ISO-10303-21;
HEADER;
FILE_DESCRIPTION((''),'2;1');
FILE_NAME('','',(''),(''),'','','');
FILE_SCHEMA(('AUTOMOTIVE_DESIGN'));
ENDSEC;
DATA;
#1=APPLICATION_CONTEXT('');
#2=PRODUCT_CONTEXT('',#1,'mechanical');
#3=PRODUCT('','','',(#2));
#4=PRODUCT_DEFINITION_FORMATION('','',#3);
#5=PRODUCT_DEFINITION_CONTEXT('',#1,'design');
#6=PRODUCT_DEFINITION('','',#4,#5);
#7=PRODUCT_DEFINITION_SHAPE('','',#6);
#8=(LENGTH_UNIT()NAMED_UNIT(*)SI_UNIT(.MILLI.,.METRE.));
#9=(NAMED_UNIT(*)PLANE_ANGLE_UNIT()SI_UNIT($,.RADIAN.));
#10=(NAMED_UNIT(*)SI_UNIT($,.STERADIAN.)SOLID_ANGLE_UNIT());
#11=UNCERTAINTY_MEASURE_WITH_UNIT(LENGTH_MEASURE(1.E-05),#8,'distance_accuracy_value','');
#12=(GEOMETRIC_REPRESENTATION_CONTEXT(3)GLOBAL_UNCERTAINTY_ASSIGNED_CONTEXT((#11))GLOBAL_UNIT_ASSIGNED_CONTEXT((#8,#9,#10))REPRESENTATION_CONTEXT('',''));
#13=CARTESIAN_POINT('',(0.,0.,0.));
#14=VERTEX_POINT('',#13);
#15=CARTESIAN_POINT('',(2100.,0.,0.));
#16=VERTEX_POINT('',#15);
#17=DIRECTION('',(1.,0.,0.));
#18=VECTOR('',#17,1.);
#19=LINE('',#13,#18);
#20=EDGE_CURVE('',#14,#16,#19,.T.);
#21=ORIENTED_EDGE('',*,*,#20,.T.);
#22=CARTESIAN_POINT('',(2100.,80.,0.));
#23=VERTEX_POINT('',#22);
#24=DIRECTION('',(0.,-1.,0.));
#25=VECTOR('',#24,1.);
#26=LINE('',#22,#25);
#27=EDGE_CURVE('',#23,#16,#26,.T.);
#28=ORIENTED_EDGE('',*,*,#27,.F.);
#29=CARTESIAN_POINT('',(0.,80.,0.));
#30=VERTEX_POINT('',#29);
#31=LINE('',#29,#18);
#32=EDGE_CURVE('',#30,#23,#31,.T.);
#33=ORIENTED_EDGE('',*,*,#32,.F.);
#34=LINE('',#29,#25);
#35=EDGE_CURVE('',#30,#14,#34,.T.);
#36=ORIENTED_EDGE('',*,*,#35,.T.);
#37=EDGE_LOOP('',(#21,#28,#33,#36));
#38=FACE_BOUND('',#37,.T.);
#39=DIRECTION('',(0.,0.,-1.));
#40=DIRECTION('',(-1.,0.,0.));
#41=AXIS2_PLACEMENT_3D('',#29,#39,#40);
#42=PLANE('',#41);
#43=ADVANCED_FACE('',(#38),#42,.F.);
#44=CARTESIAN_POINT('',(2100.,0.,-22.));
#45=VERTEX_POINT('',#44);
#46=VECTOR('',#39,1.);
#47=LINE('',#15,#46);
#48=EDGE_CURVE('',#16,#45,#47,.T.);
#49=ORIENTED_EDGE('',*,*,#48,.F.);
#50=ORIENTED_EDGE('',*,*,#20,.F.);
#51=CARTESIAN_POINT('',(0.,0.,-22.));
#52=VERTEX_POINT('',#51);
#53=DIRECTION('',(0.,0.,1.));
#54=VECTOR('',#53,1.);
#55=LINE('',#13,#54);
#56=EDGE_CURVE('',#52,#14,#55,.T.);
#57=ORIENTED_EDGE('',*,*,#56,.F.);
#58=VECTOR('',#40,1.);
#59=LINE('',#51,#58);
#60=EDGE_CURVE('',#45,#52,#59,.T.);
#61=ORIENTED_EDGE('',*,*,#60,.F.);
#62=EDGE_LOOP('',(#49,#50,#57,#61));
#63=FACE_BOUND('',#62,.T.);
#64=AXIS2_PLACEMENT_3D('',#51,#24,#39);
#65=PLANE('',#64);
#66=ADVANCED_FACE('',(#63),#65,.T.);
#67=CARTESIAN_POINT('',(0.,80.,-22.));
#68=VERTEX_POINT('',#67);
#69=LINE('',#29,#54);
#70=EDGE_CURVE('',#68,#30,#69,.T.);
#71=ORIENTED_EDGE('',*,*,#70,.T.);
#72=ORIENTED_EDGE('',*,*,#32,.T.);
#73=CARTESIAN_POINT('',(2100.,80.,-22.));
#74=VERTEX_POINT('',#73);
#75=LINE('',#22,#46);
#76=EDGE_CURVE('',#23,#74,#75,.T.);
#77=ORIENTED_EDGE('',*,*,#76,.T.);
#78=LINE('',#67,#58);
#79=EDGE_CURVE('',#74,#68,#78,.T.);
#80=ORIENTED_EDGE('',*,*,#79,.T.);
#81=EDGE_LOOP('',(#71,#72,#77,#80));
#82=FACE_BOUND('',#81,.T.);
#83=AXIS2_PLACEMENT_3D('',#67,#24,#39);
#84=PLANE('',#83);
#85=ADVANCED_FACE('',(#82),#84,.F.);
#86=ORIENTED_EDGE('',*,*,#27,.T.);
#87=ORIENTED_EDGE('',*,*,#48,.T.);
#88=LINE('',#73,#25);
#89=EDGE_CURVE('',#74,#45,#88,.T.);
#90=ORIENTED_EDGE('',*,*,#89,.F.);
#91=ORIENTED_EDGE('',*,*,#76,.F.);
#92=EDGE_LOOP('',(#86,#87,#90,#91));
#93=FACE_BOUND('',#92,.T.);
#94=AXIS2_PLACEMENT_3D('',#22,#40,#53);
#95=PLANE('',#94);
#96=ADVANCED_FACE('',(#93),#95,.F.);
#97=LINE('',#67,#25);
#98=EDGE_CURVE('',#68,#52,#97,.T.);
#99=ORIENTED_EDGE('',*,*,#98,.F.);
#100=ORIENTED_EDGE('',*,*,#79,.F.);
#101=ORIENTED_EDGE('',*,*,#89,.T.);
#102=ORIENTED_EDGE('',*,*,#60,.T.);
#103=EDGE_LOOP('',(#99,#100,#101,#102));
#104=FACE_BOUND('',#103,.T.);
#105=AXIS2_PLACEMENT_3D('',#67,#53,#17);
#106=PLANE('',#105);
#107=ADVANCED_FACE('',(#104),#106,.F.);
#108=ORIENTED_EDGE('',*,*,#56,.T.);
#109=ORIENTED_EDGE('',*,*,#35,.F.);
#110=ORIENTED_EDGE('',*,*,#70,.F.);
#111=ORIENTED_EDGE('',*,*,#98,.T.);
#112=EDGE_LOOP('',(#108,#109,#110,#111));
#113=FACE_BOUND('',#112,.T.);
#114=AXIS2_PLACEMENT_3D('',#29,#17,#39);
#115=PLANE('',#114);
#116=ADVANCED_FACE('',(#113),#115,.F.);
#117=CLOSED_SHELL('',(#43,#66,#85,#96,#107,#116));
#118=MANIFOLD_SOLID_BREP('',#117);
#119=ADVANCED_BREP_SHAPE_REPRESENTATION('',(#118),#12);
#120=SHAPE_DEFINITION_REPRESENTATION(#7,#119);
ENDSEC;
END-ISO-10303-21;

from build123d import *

# Parameters (mm, degrees)
ESQUISSE1_W      = 2100
ESQUISSE1_H      = 22
EXTRUSION1_DEPTH = 80


with BuildPart() as part:
    # Esquisse1 → Extrusion1 (new body)
    with BuildSketch(Plane(origin=(0, 0, 0), x_dir=(1, 0, 0), z_dir=(0, 1, 0))):
        with Locations((1050, 11)):
            Rectangle(ESQUISSE1_W, ESQUISSE1_H)
    extrude(amount=EXTRUSION1_DEPTH)


solid = part.part
